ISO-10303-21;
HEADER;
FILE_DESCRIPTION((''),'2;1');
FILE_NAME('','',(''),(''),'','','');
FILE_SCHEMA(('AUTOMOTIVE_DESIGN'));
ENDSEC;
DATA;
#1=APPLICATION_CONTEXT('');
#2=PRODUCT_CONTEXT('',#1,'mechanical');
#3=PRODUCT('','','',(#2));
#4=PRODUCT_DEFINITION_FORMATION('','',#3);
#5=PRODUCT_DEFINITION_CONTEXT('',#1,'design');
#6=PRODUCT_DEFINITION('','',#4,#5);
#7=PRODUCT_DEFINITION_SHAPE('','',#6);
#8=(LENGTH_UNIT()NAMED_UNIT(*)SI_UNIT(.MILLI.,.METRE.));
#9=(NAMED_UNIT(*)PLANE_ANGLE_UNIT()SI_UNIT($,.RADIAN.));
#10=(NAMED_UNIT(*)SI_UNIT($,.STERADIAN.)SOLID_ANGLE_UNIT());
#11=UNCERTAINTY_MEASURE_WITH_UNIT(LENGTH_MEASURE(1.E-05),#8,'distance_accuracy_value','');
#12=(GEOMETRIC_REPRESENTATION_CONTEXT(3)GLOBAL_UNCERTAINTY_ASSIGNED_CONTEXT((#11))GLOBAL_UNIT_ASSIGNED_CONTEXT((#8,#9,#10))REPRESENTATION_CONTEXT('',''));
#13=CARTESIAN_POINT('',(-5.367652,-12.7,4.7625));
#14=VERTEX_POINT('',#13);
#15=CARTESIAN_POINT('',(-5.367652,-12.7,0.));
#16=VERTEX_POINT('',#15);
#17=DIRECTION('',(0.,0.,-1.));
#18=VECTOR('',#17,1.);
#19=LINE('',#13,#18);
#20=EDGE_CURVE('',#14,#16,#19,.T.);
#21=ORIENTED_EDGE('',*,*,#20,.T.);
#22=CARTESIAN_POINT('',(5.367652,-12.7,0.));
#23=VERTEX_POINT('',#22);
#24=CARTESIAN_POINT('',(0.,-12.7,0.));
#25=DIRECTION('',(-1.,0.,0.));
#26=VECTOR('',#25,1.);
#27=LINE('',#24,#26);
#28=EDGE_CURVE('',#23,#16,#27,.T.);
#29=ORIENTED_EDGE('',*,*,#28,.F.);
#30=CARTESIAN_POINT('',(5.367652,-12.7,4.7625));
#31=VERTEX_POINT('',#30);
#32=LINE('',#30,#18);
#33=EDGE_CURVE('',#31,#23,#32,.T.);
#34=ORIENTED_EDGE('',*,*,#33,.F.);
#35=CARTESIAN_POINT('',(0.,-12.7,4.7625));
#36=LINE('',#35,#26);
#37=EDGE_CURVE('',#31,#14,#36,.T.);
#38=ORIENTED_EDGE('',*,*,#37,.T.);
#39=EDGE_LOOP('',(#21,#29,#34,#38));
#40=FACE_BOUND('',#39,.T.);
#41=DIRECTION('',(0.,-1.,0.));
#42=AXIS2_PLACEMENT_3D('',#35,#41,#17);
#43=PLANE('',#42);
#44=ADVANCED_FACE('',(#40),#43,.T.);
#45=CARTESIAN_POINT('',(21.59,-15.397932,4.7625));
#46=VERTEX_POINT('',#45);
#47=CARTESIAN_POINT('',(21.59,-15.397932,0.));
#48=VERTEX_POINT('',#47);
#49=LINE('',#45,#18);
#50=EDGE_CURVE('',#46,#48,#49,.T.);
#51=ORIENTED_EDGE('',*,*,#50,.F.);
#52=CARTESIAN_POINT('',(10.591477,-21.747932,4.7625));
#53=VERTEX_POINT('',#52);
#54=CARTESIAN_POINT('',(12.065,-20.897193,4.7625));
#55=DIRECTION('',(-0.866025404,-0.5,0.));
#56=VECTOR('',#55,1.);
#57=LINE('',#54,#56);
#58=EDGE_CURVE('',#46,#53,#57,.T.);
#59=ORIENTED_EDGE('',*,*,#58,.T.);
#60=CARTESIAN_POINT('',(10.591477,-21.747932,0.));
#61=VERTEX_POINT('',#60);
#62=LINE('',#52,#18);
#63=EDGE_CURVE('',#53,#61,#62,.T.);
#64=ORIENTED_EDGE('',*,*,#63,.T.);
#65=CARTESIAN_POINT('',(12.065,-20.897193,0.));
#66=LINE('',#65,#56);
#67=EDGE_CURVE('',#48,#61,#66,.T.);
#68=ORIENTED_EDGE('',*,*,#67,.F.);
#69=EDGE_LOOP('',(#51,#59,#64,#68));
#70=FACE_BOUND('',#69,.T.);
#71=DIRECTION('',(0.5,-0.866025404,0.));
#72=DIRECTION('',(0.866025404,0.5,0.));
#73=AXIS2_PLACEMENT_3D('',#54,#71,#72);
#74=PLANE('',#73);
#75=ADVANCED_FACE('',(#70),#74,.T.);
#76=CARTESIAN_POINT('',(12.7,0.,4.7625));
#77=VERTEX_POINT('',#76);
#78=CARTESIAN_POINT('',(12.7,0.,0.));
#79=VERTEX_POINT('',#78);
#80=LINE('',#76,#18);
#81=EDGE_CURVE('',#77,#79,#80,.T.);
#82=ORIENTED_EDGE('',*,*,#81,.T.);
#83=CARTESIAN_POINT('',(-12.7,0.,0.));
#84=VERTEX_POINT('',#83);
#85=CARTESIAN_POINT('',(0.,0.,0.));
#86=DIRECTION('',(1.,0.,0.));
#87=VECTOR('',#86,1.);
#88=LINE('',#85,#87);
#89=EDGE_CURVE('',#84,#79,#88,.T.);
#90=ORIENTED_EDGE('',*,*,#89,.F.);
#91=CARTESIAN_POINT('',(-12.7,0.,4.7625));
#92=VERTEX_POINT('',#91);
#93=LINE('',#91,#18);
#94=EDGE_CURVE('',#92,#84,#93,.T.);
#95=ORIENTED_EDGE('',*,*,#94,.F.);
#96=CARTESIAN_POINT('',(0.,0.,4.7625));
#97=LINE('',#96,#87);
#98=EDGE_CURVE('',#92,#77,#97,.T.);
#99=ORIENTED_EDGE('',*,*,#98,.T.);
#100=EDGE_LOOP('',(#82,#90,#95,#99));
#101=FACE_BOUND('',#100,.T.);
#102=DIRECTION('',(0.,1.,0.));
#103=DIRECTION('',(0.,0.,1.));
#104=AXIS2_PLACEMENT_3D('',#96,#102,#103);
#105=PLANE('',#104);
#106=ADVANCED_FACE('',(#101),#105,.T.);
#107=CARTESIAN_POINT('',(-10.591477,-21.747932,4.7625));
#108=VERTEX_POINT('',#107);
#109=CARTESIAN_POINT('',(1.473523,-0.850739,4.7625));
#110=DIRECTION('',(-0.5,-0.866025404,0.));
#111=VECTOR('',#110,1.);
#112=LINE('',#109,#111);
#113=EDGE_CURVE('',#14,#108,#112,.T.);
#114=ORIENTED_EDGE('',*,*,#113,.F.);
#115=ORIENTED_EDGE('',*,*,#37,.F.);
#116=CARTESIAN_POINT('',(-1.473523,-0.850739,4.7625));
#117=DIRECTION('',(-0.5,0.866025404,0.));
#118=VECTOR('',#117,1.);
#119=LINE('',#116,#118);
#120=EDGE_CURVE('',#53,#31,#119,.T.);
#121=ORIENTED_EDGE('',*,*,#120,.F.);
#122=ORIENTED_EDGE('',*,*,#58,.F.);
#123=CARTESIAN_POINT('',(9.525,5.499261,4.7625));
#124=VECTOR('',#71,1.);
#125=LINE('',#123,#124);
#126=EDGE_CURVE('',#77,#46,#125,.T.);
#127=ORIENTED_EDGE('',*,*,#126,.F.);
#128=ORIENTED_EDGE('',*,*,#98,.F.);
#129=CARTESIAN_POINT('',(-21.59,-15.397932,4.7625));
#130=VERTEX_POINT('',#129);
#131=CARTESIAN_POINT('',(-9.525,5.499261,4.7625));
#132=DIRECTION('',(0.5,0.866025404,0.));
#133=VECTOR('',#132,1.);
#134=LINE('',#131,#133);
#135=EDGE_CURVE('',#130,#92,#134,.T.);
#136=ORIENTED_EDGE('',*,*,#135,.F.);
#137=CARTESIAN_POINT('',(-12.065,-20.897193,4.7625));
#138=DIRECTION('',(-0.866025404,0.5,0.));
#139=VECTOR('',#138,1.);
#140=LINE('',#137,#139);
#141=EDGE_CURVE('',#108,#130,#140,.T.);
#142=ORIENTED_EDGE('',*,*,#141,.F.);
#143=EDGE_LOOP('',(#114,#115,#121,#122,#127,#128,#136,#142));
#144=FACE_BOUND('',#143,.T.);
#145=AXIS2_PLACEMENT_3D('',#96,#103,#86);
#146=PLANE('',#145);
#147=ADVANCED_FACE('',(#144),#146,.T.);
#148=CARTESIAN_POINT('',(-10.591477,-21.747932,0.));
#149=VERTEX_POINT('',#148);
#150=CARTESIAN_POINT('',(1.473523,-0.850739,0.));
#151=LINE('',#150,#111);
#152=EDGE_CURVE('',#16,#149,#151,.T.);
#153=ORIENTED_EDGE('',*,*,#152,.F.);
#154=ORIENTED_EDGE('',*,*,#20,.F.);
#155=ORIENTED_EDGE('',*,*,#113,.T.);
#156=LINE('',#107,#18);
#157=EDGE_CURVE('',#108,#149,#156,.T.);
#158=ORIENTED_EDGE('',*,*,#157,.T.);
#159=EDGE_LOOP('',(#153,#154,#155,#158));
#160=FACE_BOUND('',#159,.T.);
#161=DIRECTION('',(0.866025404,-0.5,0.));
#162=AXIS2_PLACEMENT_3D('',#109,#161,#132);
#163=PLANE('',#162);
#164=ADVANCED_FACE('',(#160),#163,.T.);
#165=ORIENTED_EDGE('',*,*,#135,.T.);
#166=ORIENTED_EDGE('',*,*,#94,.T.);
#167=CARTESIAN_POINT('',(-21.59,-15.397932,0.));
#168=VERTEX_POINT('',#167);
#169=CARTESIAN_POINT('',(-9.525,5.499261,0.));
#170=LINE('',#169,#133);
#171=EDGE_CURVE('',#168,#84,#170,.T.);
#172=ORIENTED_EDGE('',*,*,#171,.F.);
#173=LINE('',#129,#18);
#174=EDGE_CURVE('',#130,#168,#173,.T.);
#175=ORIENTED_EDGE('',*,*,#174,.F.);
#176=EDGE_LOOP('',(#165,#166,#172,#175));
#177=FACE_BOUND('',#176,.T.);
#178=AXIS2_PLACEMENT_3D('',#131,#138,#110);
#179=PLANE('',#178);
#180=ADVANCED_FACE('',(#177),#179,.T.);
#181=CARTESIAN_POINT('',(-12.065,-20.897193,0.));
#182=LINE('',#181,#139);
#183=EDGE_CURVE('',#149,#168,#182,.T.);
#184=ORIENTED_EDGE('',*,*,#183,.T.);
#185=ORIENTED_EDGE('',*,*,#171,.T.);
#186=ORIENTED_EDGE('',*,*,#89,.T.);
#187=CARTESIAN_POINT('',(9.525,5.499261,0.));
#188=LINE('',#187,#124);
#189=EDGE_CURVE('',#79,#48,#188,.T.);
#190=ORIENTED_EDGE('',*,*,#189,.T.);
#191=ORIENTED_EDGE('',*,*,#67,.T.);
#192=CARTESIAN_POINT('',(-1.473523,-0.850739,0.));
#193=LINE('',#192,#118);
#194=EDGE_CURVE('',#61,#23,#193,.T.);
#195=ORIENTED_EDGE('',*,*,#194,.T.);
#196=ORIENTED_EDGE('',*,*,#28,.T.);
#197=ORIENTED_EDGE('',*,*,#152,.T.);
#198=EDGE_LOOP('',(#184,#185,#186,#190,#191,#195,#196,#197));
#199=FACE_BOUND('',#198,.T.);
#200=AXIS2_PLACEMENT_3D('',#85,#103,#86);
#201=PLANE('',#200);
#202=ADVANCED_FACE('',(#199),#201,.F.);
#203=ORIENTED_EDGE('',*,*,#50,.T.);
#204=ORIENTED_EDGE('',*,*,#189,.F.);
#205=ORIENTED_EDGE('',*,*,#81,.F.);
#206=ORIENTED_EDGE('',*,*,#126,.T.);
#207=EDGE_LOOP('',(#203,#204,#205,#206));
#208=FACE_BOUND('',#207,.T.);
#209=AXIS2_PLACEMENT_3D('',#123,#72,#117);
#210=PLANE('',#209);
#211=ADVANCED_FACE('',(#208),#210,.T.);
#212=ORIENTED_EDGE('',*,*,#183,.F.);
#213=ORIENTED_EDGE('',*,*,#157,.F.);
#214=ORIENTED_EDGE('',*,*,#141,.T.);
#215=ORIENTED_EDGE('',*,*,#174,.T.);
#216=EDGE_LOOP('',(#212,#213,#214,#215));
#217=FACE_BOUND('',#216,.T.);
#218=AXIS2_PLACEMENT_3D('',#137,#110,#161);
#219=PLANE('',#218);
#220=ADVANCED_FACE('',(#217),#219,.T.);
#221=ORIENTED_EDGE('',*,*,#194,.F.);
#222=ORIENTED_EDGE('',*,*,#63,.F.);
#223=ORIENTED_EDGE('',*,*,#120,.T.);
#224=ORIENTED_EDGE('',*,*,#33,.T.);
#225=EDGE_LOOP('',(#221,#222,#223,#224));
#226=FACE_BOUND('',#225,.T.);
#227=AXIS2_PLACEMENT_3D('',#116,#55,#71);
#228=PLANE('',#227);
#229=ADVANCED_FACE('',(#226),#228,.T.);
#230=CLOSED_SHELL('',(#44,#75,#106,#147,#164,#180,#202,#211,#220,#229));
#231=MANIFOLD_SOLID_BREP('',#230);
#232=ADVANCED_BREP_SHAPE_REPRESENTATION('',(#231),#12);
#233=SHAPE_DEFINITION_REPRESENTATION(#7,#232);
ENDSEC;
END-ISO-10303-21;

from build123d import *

# Parameters (mm, degrees)
BOSS_EXTRUDE1_DEPTH = 4.7625


with BuildPart() as part:
    # Sketch1 → Boss-Extrude1 (new body)
    with BuildSketch(Plane.XY):
        Polygon((-12.7, 0), (-21.59, -15.397931679), (-10.591477372, -21.747931679), (-5.367651581, -12.7), (5.367651581, -12.7), (10.591477372, -21.747931679), (21.59, -15.397931679), (12.7, 0), (6.35, 0), (-6.35, 0), align=None)
    extrude(amount=BOSS_EXTRUDE1_DEPTH)


solid = part.part
